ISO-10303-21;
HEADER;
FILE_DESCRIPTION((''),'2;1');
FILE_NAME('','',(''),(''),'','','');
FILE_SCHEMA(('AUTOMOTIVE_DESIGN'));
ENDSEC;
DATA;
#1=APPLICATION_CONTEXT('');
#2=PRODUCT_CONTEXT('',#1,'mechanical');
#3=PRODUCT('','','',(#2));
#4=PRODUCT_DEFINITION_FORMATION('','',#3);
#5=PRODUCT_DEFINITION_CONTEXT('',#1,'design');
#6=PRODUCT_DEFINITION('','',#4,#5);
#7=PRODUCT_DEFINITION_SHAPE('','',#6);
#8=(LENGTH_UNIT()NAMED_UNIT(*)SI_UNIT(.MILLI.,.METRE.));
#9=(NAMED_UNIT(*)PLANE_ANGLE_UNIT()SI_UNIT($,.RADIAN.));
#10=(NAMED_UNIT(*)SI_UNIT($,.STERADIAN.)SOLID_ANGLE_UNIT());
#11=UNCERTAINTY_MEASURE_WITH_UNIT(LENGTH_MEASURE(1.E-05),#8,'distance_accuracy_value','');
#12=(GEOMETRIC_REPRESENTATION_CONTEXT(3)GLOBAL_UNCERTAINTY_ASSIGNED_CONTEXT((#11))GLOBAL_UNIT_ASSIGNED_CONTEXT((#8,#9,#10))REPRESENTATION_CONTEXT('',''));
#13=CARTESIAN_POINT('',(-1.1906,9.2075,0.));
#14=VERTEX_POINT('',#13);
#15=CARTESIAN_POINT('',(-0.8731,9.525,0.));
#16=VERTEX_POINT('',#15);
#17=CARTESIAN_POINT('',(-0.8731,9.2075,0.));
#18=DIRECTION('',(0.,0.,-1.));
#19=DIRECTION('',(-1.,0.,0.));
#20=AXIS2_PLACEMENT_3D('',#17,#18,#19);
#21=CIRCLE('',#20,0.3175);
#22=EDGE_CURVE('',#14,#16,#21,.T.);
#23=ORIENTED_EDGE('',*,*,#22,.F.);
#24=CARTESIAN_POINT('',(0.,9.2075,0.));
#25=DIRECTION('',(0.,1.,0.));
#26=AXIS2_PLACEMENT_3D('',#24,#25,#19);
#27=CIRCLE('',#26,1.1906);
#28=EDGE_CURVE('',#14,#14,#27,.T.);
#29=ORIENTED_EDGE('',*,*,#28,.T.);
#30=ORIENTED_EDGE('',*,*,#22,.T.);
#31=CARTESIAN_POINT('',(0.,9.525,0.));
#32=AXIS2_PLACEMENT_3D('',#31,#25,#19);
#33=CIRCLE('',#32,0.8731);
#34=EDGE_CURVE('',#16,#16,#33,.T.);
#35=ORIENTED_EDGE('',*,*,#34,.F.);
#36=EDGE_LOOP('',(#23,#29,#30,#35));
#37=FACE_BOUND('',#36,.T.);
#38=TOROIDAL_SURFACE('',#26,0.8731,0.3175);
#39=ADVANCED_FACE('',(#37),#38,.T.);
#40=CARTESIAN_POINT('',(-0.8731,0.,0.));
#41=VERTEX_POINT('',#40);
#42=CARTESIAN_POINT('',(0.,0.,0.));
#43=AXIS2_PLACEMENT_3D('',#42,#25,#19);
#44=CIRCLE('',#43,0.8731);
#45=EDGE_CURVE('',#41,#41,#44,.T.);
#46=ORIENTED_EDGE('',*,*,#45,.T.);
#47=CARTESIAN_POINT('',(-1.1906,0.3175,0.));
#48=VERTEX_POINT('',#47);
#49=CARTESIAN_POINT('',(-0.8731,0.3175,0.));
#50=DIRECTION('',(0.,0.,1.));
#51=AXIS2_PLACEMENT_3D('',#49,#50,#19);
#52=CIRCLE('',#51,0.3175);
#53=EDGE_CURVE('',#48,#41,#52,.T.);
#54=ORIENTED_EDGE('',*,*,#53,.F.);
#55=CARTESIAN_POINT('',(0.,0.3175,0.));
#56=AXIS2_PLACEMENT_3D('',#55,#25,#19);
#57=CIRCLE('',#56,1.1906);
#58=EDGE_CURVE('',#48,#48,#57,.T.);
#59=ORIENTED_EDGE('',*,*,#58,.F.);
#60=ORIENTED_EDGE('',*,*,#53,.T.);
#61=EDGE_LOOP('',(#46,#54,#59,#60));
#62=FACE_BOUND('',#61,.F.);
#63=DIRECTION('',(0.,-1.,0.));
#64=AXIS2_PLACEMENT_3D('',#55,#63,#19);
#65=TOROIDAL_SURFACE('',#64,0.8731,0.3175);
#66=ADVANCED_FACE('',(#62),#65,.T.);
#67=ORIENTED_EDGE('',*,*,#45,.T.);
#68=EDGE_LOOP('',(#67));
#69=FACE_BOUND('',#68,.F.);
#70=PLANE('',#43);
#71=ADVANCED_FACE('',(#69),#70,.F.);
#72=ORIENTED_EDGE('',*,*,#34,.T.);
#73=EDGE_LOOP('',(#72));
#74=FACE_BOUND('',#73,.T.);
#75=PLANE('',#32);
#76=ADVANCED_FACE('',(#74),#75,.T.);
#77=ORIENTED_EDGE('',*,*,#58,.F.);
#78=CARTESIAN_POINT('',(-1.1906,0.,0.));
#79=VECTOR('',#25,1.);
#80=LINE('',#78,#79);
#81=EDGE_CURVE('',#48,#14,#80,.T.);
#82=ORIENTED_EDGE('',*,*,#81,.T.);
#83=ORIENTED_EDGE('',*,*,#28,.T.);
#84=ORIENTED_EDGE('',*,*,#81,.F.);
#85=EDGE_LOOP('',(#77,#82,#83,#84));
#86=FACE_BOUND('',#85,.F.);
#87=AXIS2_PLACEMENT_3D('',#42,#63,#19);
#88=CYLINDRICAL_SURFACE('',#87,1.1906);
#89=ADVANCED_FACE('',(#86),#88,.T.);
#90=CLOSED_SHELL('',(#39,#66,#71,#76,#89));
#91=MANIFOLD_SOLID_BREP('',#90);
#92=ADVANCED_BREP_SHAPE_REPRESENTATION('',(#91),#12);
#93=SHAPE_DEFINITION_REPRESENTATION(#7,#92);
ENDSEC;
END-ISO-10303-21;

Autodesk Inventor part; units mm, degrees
ref_plane "YZ Plane" through (0, 0, 0) normal (1, 0, 0) x (0, 1, 0)
ref_plane "XZ Plane" through (0, 0, 0) normal (0, 1, 0) x (-1, 0, 0)
ref_plane "XY Plane" through (0, 0, 0) normal (0, 0, 1) x (1, 0, 0)
sketch "Sketch1" plane through (0, 0, 0) normal (0, 1, 0) x (-1, 0, 0)
  circle A0 centre (0, 0) radius 1.1906
  dimension "d0" = 2.3813
extrude "Extrusion1" add sketch "Sketch1" along normal blind 9.525
fillet "Fillet1" radius 0.3175 2 edges at (1.1906, 9.525, 0) (1.1906, 0, 0)
properties part number "hubpin" material "Lead"
